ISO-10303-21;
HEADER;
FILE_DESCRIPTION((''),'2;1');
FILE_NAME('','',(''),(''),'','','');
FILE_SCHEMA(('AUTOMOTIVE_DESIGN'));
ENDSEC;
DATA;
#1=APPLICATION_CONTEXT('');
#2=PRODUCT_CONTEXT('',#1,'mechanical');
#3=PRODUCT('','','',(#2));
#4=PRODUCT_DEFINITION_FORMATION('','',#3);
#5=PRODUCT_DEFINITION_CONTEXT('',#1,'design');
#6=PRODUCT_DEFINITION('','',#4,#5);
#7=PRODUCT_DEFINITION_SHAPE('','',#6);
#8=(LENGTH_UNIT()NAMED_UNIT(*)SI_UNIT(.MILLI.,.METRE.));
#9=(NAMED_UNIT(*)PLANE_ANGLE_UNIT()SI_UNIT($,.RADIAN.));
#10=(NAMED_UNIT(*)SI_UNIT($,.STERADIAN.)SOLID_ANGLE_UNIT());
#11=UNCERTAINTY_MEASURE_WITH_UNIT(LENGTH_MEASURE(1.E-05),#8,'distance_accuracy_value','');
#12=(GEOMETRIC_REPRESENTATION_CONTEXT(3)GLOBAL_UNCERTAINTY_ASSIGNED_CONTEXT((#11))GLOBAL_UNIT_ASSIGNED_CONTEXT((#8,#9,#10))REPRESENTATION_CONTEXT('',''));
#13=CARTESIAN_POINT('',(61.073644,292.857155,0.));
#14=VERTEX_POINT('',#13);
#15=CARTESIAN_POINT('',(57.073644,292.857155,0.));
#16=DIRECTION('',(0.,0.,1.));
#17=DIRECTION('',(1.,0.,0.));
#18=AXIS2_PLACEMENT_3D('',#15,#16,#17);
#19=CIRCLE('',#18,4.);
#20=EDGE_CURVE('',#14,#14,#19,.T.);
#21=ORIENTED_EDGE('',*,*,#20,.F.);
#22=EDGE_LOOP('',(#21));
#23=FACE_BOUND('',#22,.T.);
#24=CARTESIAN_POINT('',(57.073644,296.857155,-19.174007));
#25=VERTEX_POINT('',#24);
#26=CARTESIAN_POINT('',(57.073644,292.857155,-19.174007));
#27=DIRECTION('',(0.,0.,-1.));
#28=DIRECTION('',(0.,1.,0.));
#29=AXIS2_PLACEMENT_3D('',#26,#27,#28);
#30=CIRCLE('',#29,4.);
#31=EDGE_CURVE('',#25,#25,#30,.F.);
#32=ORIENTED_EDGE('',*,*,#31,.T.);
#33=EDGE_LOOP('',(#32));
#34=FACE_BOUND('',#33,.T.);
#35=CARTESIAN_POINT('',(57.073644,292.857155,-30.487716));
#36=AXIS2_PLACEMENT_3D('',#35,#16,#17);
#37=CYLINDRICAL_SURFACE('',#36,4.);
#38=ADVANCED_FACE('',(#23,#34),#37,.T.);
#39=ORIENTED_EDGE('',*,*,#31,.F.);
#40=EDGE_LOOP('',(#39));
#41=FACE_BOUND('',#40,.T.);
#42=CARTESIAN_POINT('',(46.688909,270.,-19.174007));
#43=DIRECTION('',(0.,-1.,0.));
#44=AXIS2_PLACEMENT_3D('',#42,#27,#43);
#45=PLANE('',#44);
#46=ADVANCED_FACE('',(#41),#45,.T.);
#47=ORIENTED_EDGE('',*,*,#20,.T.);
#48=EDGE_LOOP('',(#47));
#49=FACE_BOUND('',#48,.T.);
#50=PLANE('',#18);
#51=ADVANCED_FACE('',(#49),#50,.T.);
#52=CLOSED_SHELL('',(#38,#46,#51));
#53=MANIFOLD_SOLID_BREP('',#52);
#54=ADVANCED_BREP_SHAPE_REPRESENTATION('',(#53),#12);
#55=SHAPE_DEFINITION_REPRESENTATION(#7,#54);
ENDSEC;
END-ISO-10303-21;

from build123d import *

# Parameters (mm, degrees)
SKETCH_1_R      = 4
EXTRUDE_1_DEPTH = 19.174007306


with BuildPart() as part:
    # 草图1 → 凸台-拉伸1 (new body)
    with BuildSketch(Plane.XY):
        with Locations((57.073644085, 292.857154946)):
            Circle(SKETCH_1_R)
    extrude(amount=-EXTRUDE_1_DEPTH)


solid = part.part
